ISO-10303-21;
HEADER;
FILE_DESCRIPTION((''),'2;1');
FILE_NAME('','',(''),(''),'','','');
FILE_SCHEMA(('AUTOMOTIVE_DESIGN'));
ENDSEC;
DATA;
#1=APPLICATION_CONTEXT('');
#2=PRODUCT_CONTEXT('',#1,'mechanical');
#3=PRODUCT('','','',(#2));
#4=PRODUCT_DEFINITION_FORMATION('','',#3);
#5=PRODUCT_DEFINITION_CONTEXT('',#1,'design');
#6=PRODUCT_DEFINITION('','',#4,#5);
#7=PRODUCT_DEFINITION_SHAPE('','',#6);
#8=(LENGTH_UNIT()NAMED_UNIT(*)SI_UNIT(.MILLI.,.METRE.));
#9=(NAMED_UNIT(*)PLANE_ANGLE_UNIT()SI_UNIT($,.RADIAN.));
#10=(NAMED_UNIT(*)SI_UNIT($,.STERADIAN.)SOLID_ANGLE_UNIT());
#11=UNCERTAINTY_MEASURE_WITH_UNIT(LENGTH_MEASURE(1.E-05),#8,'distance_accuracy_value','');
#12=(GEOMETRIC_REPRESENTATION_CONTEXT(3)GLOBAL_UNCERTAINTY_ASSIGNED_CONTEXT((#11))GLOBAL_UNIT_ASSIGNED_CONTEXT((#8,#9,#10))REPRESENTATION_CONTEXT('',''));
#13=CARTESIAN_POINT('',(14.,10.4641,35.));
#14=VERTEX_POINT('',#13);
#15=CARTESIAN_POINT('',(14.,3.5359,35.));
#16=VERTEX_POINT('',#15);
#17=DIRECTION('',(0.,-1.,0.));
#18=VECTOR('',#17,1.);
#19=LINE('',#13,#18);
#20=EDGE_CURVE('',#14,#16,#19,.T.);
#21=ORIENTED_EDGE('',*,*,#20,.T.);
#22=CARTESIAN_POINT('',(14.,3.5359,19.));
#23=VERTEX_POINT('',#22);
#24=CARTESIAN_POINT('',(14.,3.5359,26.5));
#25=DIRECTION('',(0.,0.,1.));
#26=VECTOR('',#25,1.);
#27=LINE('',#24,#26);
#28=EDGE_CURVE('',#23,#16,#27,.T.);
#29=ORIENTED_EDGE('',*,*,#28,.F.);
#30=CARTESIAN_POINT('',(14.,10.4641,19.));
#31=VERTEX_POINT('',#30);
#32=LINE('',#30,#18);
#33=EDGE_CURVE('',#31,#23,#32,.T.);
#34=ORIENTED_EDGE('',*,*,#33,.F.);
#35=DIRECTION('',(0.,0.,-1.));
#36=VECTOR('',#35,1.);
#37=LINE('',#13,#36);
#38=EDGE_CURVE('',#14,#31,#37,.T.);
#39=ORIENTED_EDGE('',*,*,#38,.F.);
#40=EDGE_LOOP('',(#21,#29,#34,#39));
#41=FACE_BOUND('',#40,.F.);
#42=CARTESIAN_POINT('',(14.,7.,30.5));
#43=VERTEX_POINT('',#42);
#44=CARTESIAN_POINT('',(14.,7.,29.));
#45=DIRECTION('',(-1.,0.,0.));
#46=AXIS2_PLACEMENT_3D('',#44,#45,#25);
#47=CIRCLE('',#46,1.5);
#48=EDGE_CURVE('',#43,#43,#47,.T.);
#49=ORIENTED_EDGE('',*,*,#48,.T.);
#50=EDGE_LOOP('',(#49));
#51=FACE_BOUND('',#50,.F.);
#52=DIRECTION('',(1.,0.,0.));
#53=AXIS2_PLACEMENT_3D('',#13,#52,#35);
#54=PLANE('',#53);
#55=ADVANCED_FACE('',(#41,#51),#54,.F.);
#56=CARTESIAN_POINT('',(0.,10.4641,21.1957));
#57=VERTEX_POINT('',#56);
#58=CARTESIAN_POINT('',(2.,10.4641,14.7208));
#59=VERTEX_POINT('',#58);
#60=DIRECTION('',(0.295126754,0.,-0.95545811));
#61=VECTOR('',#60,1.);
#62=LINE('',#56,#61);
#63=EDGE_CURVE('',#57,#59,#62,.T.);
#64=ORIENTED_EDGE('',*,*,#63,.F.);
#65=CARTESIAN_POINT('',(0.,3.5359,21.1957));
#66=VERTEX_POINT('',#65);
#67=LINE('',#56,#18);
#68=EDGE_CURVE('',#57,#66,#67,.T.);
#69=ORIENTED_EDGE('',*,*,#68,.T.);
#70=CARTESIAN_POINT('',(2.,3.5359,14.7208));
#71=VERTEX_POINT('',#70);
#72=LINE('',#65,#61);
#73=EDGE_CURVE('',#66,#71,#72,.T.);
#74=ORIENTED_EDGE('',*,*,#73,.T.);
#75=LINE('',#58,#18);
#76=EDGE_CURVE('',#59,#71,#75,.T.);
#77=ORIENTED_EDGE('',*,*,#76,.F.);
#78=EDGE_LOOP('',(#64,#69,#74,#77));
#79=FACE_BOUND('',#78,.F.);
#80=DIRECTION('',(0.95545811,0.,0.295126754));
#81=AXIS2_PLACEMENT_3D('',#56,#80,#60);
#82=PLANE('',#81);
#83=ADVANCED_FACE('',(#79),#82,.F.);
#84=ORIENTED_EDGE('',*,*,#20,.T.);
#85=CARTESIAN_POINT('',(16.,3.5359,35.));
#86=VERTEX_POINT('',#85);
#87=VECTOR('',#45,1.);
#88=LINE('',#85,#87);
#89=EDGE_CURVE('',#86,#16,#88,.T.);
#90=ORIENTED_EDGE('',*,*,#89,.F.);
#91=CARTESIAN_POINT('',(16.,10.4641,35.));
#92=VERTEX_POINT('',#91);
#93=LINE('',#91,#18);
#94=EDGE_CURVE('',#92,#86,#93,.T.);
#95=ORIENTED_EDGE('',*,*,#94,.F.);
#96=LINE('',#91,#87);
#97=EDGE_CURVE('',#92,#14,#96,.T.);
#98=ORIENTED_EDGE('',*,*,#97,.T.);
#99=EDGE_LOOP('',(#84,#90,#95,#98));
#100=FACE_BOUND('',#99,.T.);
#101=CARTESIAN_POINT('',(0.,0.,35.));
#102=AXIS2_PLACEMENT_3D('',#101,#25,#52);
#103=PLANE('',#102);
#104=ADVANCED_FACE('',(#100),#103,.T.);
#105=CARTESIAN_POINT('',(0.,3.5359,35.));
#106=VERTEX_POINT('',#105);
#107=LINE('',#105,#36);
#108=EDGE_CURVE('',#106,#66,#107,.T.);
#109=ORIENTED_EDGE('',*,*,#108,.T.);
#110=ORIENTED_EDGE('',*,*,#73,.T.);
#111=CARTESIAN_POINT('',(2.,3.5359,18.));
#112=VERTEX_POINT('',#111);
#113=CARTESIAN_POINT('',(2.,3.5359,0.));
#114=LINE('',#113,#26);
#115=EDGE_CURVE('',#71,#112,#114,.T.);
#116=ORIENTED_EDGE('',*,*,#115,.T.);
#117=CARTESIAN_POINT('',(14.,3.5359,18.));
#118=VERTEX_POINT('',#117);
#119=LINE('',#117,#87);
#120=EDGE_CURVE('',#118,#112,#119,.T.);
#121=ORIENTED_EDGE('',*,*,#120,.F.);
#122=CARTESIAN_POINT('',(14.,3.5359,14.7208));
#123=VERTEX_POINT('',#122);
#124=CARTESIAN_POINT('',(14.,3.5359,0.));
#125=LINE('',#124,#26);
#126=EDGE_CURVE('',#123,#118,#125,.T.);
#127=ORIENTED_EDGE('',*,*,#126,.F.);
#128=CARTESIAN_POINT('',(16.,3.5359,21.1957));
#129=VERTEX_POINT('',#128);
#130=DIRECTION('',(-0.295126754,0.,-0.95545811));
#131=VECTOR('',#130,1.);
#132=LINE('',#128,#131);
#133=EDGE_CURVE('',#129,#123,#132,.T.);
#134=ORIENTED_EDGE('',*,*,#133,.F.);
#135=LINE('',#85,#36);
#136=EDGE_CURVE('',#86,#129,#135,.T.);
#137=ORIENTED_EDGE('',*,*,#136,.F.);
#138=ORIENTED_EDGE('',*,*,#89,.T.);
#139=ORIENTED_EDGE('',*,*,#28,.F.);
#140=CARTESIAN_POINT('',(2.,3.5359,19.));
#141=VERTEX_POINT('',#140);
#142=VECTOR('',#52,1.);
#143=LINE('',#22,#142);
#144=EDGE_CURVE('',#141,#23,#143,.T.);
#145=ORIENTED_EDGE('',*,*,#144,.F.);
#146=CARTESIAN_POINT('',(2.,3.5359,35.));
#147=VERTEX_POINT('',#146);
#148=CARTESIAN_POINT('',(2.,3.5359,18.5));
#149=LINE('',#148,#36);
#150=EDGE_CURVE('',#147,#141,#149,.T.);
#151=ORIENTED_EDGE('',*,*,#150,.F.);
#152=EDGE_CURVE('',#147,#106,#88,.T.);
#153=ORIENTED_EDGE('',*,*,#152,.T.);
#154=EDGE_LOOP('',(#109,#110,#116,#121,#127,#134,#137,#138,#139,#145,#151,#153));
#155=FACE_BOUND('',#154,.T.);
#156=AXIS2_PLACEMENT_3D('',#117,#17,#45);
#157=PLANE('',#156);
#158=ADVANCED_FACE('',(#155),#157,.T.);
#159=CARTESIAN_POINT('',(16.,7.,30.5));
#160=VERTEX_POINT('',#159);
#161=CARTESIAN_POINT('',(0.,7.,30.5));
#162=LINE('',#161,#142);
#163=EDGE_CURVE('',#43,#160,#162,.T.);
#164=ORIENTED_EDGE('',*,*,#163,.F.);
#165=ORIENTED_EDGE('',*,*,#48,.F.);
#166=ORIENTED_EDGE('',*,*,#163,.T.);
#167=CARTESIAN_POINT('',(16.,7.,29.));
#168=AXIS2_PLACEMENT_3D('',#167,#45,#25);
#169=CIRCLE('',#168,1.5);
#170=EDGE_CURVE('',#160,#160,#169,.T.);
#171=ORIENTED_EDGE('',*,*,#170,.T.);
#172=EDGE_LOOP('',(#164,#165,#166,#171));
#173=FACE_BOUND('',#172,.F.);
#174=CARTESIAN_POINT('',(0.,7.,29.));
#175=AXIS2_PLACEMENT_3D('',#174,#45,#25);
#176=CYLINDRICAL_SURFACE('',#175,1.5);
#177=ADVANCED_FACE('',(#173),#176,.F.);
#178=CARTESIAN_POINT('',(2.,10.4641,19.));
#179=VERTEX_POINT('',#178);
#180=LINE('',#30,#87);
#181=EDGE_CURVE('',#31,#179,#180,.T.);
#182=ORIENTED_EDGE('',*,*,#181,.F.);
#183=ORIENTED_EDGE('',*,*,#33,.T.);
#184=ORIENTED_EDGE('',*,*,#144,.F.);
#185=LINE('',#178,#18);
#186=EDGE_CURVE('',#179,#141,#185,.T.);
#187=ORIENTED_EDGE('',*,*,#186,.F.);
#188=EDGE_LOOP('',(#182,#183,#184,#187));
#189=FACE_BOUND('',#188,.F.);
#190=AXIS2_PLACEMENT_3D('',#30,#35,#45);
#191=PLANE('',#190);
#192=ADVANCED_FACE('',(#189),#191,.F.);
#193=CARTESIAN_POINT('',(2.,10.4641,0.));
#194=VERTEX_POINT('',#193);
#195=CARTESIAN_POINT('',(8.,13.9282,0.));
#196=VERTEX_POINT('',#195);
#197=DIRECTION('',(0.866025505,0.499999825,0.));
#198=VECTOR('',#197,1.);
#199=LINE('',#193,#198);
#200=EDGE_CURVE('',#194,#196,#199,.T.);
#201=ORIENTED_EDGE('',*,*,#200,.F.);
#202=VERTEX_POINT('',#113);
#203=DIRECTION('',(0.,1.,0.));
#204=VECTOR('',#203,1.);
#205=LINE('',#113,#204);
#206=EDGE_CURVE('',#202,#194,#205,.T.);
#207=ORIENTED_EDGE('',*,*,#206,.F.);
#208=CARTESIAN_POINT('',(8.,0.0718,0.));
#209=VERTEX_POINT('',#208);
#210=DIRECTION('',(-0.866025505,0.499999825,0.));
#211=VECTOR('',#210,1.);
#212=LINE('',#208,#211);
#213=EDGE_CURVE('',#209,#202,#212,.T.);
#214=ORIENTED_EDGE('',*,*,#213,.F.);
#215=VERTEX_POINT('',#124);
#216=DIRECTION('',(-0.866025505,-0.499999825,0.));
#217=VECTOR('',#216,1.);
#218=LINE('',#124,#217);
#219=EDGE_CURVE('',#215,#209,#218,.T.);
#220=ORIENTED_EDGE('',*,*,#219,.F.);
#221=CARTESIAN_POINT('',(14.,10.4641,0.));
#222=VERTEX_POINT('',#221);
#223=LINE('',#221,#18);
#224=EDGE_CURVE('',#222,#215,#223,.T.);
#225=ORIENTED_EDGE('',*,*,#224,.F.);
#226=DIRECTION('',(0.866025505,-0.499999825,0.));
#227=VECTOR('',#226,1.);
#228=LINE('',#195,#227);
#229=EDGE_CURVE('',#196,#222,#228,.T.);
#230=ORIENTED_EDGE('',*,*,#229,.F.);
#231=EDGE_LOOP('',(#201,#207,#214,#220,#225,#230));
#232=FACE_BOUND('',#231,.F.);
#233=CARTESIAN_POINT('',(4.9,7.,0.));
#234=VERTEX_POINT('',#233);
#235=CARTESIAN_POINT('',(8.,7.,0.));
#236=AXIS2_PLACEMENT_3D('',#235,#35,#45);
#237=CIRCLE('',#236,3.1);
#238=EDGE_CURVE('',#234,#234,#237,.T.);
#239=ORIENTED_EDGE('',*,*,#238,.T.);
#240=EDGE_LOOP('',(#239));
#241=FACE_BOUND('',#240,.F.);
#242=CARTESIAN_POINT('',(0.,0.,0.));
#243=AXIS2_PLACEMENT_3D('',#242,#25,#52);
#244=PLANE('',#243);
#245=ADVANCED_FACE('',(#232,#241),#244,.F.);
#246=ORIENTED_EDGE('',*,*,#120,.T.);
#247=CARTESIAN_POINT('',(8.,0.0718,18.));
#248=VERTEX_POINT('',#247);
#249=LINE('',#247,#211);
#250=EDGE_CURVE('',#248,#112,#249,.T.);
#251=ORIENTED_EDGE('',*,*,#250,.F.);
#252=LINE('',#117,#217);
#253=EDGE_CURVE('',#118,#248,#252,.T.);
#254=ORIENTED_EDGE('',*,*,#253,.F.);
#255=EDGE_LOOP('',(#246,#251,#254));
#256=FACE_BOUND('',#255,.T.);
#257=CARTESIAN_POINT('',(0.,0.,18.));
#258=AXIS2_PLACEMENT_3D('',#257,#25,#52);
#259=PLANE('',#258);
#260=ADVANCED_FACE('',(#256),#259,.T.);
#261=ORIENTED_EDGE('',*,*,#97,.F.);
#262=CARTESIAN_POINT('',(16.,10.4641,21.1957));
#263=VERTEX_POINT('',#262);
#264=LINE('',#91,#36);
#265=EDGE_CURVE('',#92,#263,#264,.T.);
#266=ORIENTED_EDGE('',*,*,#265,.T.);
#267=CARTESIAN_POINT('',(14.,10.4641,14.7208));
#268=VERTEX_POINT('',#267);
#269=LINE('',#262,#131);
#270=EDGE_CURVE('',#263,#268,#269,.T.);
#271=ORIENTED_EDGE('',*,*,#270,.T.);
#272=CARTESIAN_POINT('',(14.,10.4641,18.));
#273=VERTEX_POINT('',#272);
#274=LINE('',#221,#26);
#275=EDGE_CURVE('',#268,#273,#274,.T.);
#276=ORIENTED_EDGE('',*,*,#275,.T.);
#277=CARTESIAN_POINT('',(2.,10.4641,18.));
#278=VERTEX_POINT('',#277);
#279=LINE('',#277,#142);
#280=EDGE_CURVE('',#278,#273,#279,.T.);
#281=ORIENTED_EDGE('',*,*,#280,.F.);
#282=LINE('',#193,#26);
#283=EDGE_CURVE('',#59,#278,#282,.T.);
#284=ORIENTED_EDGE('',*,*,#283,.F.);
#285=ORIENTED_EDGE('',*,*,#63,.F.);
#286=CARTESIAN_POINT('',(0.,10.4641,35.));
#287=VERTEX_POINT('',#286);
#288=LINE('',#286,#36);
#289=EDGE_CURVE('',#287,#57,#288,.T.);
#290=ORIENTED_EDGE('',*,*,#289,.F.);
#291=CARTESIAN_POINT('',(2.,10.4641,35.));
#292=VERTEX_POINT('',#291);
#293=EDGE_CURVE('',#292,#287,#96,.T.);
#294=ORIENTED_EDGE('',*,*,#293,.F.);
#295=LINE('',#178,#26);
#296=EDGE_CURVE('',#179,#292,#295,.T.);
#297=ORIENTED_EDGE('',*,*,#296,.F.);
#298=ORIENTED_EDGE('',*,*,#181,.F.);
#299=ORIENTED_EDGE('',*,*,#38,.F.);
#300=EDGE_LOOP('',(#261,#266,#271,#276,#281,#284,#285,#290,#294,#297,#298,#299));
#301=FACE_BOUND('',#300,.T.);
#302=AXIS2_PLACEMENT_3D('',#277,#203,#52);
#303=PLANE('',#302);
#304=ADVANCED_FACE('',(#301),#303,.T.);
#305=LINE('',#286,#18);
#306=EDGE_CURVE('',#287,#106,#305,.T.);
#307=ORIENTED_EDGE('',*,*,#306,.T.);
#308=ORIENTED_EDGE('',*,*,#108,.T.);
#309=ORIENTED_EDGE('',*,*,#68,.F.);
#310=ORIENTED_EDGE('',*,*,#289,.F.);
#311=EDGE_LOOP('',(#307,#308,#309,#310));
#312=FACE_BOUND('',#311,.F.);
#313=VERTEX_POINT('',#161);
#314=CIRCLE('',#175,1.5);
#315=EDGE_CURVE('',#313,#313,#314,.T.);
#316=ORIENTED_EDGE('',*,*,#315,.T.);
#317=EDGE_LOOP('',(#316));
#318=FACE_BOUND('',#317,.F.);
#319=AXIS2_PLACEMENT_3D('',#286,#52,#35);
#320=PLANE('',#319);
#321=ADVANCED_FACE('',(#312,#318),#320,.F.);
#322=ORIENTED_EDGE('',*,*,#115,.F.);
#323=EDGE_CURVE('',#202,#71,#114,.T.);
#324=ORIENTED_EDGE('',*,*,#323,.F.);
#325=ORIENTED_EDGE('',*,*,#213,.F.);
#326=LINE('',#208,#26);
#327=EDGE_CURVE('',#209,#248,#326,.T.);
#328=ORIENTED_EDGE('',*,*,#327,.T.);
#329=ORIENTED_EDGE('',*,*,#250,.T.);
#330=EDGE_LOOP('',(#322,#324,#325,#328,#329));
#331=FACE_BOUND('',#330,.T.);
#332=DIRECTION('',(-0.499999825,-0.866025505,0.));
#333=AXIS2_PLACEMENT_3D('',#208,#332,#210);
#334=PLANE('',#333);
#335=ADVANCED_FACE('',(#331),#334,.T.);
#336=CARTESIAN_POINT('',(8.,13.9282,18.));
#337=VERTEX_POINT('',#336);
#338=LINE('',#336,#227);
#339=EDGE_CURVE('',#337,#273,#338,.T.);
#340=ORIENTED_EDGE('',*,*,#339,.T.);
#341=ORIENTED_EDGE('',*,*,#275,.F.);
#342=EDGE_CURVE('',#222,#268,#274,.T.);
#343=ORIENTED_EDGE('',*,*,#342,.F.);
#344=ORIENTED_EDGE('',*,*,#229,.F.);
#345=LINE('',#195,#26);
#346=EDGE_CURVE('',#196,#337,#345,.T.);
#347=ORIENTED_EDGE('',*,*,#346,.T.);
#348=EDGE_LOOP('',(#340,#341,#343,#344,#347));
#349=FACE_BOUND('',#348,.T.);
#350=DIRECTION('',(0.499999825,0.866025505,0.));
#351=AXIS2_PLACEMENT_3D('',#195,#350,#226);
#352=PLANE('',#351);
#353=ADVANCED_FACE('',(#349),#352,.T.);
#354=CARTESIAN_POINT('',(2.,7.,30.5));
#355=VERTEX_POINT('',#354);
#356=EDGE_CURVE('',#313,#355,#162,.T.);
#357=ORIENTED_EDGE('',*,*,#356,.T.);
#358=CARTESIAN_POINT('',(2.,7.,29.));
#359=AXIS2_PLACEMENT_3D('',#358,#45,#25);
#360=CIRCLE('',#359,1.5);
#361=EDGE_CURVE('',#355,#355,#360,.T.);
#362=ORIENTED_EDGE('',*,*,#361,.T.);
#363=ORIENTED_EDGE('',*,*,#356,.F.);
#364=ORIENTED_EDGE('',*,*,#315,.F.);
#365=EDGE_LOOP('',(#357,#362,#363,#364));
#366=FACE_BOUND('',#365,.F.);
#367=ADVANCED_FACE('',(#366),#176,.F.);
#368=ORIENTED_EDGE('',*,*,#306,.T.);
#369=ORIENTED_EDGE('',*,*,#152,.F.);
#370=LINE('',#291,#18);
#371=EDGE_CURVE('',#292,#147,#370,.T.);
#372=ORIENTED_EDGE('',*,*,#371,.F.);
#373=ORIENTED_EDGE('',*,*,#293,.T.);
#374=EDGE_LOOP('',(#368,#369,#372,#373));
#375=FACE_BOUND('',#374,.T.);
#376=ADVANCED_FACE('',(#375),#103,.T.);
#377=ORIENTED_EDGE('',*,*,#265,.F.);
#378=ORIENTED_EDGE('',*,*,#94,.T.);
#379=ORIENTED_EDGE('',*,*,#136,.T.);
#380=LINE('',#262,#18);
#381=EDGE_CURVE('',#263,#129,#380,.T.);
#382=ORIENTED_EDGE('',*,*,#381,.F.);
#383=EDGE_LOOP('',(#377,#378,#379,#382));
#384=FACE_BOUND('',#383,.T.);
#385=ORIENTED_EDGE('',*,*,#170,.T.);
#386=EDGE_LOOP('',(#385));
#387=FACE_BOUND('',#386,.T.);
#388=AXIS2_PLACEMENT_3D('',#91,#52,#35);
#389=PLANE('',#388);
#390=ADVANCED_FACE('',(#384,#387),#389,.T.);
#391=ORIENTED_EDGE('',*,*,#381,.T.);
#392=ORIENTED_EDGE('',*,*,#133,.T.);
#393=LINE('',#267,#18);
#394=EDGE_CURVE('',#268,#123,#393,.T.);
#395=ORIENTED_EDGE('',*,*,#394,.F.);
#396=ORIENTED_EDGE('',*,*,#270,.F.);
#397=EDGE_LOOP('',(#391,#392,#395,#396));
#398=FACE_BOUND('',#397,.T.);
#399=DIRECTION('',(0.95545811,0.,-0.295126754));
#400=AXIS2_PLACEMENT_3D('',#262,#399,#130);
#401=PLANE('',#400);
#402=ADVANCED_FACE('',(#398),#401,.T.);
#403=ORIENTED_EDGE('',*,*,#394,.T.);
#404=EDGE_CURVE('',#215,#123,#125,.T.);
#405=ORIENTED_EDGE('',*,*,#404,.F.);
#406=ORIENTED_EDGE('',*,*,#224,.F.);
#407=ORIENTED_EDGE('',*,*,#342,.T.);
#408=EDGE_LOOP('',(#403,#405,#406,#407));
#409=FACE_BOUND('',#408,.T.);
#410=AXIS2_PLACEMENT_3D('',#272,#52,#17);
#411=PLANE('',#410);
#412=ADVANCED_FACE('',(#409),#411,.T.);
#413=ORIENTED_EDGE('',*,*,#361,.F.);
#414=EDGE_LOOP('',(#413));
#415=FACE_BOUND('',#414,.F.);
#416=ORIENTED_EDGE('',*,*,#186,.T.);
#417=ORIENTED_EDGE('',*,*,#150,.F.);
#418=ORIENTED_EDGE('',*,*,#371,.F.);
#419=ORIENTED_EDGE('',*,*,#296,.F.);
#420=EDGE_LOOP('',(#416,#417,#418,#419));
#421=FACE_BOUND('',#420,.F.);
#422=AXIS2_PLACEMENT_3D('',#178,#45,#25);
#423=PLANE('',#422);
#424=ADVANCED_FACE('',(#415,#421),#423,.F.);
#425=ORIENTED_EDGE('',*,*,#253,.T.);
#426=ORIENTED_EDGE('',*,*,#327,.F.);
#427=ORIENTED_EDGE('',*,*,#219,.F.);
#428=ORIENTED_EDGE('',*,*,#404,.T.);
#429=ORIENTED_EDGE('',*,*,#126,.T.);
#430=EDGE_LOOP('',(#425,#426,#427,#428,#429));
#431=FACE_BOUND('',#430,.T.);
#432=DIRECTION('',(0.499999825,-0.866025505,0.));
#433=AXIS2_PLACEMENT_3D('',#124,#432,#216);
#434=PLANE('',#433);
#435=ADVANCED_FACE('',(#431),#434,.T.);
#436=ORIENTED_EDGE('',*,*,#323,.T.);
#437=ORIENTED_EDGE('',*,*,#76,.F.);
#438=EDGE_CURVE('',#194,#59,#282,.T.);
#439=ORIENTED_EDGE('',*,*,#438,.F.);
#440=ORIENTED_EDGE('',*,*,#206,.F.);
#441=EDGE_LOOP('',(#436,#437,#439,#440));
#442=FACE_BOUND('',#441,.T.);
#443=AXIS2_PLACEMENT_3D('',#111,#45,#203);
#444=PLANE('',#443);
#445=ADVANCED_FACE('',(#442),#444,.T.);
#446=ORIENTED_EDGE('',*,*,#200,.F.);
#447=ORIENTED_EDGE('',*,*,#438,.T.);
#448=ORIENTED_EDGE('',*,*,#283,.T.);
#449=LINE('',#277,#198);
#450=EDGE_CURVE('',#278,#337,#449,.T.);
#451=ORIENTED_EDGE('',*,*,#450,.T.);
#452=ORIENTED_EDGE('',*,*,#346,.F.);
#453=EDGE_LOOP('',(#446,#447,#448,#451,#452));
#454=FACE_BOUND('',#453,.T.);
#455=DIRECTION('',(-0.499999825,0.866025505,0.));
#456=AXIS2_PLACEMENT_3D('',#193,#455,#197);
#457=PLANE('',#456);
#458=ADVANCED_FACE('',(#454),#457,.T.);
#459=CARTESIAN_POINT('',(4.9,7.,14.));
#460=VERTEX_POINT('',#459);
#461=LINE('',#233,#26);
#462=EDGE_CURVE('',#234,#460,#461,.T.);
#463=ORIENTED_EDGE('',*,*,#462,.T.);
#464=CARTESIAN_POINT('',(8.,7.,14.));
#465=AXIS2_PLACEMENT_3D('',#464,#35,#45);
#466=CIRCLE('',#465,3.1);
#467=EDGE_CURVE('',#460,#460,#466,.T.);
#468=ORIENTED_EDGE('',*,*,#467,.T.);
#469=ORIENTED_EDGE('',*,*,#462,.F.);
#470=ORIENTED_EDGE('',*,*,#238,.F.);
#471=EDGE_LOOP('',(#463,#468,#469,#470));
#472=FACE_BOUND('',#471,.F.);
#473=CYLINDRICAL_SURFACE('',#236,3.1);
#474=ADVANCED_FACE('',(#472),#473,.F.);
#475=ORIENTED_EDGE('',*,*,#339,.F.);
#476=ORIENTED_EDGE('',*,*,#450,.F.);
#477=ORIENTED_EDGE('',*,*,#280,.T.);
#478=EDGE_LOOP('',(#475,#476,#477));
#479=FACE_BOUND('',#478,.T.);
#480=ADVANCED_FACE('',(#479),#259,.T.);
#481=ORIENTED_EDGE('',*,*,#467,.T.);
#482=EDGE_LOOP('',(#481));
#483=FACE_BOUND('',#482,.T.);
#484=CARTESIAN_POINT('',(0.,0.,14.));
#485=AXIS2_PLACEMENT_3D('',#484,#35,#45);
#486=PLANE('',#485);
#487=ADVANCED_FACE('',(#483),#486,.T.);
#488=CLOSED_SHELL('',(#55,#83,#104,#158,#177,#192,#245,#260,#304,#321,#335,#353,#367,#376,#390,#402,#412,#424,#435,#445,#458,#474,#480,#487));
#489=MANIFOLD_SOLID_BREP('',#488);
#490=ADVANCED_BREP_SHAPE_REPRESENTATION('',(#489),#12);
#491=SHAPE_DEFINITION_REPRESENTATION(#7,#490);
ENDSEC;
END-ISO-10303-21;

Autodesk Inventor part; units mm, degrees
ref_plane "YZ Plane" through (0, 0, 0) normal (1, 0, 0) x (0, 1, 0)
ref_plane "XZ Plane" through (0, 0, 0) normal (0, 1, 0) x (-1, 0, 0)
ref_plane "XY Plane" through (0, 0, 0) normal (0, 0, 1) x (1, 0, 0)
sketch "Sketch1" plane through (0, 0, 0) normal (0, 0, 1) x (1, 0, 0)
  line L0 (8, 0.0718) -> (2, 3.5359)
  line L1 (2, 3.5359) -> (2, 10.4641)
  line L2 (2, 10.4641) -> (8, 13.9282)
  line L3 (8, 13.9282) -> (14, 10.4641)
  line L4 (14, 10.4641) -> (14, 3.5359)
  line L5 (14, 3.5359) -> (8, 0.0718)
  point P0 (0, 0)
  point P1 (8, 7)
  dimension "d1" = 12
extrude "Extrusion1" add sketch "Sketch1" along normal blind 18
sketch "Sketch2" plane through (0, 0, 0) normal (0, 0, -1) x (-1, 0, 0)
  circle A0 centre (-8, 7) radius 3.1
  point P0 (0, 0)
  dimension "d5" = 6.2
extrude "Extrusion2" cut sketch "Sketch2" against normal blind 14
sketch "Sketch3" plane through (0, 0, 18) normal (0, 0, 1) x (1, 0, 0)
  line L0 (14, 3.5359) -> (8, 0.0718) projected
  line L1 (14, 3.5359) -> (2, 3.5359)
  line L2 (2, 3.5359) -> (2, 10.4641)
  line L3 (2, 10.4641) -> (14, 10.4641)
  line L4 (14, 10.4641) -> (14, 3.5359)
  point P0 (0, 0)
  dimension "d12" = 6.9282
extrude "Extrusion3" add sketch "Sketch3" along normal blind 17
sketch "Sketch4" plane through (2, 10.4641, 18) normal (0, 1, 0) x (1, 0, 0)
  line L0 (12, 0) -> (12, -17) projected
  line L1 (12, -17) -> (14, -17)
  line L2 (0, 0) -> (0, -17) projected
  line L3 (12, 0) -> (12, -17)
  line L4 (0, -17) -> (-2, -17)
  line L5 (0, 0) -> (0, -17)
  line L6 (14, -17) -> (14, -3.1957)
  line L7 (-2, -3.1957) -> (0, 3.2792)
  line L8 (14, -3.1957) -> (12, 3.2792)
  line L9 (12, 18) -> (12, 0) projected
  line L10 (0, 0) -> (0, 3.2792)
  line L11 (12, 0) -> (12, 3)
  line L12 (-2, -17) -> (-2, -3.1957)
  point P0 (-2, 18)
  dimension "d10" = 2
  dimension "d11" = 2
extrude "Extrusion4" add sketch "Sketch4" against normal blind 6.9282
sketch "Sketch5" plane through (2, 10.4641, 18) normal (0, 1, 0) x (1, 0, 0)
  line L0 (14, -17) -> (14, -17) projected
  line L1 (0, -17) -> (12, -17)
  line L2 (12, -17) -> (12, -1)
  line L3 (12, -1) -> (0, -1)
  line L4 (0, -1) -> (0, -17)
  point P0 (-2, 18)
  point P1 (-2, -17)
extrude "Extrusion5" cut sketch "Sketch5" against normal through all
sketch "Sketch6" plane through (0, 10.4641, 21.1957) normal (-1, 0, 0) x (0, 0, 1)
  line L0 (13.8043, 0) -> (13.8043, -6.9282) projected
  circle A0 centre (7.8043, -3.4641) radius 1.5
  point P0 (-21.1957, -10.4641)
  dimension "d18" = 3
extrude "Extrusion6" cut sketch "Sketch6" against normal through all
properties part number "supportrod"
